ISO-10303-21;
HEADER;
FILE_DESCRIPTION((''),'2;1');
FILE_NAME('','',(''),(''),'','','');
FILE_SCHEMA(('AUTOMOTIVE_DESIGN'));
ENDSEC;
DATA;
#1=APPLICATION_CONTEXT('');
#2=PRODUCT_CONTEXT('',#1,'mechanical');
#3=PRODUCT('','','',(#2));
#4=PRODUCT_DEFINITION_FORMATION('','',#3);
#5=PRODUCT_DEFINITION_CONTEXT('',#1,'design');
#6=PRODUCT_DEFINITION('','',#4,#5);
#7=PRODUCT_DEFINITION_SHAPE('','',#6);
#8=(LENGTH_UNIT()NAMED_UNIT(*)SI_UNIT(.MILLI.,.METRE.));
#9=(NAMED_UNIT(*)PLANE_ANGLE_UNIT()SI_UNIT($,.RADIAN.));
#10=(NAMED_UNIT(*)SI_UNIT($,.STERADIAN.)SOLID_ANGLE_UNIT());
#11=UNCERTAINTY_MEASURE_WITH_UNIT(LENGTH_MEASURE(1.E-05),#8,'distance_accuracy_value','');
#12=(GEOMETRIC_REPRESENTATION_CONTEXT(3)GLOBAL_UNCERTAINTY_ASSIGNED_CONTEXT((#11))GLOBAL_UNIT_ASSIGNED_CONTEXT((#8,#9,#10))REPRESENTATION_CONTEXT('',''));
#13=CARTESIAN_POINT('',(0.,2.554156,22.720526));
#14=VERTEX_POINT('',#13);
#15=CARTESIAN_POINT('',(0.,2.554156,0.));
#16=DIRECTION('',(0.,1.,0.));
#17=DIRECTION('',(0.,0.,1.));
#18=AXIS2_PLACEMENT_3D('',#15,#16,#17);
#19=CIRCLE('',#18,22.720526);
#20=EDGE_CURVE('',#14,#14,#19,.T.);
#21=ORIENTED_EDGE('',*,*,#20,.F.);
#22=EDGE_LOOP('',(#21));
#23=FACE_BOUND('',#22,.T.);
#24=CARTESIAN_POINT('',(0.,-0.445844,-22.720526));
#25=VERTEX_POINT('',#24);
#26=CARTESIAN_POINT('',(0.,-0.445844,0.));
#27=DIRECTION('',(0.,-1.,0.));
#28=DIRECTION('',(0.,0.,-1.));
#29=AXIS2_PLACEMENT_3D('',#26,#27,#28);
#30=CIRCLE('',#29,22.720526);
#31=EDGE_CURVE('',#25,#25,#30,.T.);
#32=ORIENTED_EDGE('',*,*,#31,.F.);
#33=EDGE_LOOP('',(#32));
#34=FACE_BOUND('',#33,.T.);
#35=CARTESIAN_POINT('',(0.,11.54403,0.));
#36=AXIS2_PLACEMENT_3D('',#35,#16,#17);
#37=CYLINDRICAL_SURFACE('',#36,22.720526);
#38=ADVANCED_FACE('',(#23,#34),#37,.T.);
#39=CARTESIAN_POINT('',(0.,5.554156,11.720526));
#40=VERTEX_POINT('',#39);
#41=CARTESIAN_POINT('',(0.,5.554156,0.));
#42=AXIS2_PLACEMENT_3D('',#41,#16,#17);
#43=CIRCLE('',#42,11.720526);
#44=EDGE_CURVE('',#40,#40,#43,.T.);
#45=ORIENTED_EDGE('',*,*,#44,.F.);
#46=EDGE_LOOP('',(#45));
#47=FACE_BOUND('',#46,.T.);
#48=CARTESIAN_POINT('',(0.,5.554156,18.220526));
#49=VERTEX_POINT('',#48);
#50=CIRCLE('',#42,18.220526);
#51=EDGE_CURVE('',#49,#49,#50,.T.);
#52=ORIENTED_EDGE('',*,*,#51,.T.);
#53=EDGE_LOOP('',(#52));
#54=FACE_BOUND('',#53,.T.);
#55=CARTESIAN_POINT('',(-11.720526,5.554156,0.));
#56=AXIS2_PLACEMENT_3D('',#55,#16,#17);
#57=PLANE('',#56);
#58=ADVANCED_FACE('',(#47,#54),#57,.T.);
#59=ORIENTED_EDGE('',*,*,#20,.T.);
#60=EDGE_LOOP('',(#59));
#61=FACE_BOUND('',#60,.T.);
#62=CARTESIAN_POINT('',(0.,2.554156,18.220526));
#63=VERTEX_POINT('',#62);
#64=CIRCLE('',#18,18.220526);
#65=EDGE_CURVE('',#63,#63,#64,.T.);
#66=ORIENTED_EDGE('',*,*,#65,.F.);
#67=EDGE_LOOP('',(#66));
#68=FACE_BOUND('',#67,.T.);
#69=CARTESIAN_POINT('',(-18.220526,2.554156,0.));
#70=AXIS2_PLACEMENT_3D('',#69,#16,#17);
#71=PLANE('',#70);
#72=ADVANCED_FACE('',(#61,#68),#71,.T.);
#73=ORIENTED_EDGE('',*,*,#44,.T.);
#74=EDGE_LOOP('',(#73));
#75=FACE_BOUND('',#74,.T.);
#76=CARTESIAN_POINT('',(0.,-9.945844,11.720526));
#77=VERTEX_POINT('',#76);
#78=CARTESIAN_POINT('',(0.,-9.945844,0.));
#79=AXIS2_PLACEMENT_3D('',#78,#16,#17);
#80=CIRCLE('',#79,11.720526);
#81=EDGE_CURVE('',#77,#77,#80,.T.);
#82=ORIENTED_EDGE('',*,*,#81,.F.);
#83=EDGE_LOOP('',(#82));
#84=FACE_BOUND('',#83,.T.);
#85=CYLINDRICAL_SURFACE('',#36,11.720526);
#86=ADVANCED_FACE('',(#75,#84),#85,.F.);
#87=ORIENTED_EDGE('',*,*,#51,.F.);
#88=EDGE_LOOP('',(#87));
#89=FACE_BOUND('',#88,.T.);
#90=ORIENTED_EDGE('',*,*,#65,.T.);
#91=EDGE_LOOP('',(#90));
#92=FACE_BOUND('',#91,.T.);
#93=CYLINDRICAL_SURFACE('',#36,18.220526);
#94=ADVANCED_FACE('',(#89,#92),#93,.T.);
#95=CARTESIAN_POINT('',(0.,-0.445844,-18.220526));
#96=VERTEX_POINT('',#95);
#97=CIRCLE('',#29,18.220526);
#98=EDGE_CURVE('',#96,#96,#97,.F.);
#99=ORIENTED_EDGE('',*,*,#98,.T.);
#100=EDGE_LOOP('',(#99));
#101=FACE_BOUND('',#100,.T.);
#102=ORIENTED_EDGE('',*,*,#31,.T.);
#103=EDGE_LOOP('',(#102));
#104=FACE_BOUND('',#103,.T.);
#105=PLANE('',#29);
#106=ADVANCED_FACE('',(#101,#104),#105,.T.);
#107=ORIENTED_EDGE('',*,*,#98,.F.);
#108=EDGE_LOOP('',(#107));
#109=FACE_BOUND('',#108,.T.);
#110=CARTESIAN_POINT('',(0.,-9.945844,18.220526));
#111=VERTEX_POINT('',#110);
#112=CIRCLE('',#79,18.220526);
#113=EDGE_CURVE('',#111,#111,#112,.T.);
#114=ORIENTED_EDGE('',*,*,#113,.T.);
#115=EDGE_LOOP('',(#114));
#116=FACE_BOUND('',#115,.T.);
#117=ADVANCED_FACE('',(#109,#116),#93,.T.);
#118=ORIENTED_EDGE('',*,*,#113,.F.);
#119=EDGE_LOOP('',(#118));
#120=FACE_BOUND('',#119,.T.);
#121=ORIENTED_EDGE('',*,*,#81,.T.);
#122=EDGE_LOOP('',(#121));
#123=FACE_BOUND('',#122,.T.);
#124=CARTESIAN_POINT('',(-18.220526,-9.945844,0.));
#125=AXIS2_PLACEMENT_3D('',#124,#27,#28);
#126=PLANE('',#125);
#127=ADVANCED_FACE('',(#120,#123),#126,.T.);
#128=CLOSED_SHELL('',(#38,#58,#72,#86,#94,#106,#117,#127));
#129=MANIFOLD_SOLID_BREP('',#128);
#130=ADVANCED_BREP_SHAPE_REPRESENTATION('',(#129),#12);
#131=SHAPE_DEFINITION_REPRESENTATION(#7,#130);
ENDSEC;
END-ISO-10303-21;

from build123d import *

# Parameters (mm, degrees)
RESSALTO_EXTRUS_O4_START = 1.5
ESBO_O6_R                = 22.720525956
ESBO_O6_R_2              = 18.220525956
RESSALTO_EXTRUS_O4_DEPTH = 1.5


with BuildPart() as part:
    # Esboço3 → Revolução2 (revolve)
    with BuildSketch(Plane.XY, mode=Mode.PRIVATE) as revolu_o2_sk:
        Polygon((-18.220525956, -9.945843652), (-11.720525956, -9.945843652), (-11.720525956, 5.554156348), (-18.220525956, 5.554156348), (-18.220525956, 2.554156348), (-22.720525956, 2.554156348), (-22.720525956, 1.054156348), (-18.220525956, 1.054156348), align=None)
    revolve(revolu_o2_sk.sketch.rotate(Axis((0, 11.544029698, 0), (0, -1, 0)), 270), axis=Axis((0, 11.544029698, 0), (0, -1, 0)))

    # Esboço6 → Ressalto-extrusão4 (add)
    with BuildSketch(Plane.XZ.offset(-1.054156348).offset(RESSALTO_EXTRUS_O4_START)):
        with Locations(Location((0, 0, 0), (0, 0, 90))):
            Circle(ESBO_O6_R)
        with Locations(Location((0, 0, 0), (0, 0, 90))):
            Circle(ESBO_O6_R_2, mode=Mode.SUBTRACT)
    extrude(amount=-RESSALTO_EXTRUS_O4_DEPTH)


solid = part.part
